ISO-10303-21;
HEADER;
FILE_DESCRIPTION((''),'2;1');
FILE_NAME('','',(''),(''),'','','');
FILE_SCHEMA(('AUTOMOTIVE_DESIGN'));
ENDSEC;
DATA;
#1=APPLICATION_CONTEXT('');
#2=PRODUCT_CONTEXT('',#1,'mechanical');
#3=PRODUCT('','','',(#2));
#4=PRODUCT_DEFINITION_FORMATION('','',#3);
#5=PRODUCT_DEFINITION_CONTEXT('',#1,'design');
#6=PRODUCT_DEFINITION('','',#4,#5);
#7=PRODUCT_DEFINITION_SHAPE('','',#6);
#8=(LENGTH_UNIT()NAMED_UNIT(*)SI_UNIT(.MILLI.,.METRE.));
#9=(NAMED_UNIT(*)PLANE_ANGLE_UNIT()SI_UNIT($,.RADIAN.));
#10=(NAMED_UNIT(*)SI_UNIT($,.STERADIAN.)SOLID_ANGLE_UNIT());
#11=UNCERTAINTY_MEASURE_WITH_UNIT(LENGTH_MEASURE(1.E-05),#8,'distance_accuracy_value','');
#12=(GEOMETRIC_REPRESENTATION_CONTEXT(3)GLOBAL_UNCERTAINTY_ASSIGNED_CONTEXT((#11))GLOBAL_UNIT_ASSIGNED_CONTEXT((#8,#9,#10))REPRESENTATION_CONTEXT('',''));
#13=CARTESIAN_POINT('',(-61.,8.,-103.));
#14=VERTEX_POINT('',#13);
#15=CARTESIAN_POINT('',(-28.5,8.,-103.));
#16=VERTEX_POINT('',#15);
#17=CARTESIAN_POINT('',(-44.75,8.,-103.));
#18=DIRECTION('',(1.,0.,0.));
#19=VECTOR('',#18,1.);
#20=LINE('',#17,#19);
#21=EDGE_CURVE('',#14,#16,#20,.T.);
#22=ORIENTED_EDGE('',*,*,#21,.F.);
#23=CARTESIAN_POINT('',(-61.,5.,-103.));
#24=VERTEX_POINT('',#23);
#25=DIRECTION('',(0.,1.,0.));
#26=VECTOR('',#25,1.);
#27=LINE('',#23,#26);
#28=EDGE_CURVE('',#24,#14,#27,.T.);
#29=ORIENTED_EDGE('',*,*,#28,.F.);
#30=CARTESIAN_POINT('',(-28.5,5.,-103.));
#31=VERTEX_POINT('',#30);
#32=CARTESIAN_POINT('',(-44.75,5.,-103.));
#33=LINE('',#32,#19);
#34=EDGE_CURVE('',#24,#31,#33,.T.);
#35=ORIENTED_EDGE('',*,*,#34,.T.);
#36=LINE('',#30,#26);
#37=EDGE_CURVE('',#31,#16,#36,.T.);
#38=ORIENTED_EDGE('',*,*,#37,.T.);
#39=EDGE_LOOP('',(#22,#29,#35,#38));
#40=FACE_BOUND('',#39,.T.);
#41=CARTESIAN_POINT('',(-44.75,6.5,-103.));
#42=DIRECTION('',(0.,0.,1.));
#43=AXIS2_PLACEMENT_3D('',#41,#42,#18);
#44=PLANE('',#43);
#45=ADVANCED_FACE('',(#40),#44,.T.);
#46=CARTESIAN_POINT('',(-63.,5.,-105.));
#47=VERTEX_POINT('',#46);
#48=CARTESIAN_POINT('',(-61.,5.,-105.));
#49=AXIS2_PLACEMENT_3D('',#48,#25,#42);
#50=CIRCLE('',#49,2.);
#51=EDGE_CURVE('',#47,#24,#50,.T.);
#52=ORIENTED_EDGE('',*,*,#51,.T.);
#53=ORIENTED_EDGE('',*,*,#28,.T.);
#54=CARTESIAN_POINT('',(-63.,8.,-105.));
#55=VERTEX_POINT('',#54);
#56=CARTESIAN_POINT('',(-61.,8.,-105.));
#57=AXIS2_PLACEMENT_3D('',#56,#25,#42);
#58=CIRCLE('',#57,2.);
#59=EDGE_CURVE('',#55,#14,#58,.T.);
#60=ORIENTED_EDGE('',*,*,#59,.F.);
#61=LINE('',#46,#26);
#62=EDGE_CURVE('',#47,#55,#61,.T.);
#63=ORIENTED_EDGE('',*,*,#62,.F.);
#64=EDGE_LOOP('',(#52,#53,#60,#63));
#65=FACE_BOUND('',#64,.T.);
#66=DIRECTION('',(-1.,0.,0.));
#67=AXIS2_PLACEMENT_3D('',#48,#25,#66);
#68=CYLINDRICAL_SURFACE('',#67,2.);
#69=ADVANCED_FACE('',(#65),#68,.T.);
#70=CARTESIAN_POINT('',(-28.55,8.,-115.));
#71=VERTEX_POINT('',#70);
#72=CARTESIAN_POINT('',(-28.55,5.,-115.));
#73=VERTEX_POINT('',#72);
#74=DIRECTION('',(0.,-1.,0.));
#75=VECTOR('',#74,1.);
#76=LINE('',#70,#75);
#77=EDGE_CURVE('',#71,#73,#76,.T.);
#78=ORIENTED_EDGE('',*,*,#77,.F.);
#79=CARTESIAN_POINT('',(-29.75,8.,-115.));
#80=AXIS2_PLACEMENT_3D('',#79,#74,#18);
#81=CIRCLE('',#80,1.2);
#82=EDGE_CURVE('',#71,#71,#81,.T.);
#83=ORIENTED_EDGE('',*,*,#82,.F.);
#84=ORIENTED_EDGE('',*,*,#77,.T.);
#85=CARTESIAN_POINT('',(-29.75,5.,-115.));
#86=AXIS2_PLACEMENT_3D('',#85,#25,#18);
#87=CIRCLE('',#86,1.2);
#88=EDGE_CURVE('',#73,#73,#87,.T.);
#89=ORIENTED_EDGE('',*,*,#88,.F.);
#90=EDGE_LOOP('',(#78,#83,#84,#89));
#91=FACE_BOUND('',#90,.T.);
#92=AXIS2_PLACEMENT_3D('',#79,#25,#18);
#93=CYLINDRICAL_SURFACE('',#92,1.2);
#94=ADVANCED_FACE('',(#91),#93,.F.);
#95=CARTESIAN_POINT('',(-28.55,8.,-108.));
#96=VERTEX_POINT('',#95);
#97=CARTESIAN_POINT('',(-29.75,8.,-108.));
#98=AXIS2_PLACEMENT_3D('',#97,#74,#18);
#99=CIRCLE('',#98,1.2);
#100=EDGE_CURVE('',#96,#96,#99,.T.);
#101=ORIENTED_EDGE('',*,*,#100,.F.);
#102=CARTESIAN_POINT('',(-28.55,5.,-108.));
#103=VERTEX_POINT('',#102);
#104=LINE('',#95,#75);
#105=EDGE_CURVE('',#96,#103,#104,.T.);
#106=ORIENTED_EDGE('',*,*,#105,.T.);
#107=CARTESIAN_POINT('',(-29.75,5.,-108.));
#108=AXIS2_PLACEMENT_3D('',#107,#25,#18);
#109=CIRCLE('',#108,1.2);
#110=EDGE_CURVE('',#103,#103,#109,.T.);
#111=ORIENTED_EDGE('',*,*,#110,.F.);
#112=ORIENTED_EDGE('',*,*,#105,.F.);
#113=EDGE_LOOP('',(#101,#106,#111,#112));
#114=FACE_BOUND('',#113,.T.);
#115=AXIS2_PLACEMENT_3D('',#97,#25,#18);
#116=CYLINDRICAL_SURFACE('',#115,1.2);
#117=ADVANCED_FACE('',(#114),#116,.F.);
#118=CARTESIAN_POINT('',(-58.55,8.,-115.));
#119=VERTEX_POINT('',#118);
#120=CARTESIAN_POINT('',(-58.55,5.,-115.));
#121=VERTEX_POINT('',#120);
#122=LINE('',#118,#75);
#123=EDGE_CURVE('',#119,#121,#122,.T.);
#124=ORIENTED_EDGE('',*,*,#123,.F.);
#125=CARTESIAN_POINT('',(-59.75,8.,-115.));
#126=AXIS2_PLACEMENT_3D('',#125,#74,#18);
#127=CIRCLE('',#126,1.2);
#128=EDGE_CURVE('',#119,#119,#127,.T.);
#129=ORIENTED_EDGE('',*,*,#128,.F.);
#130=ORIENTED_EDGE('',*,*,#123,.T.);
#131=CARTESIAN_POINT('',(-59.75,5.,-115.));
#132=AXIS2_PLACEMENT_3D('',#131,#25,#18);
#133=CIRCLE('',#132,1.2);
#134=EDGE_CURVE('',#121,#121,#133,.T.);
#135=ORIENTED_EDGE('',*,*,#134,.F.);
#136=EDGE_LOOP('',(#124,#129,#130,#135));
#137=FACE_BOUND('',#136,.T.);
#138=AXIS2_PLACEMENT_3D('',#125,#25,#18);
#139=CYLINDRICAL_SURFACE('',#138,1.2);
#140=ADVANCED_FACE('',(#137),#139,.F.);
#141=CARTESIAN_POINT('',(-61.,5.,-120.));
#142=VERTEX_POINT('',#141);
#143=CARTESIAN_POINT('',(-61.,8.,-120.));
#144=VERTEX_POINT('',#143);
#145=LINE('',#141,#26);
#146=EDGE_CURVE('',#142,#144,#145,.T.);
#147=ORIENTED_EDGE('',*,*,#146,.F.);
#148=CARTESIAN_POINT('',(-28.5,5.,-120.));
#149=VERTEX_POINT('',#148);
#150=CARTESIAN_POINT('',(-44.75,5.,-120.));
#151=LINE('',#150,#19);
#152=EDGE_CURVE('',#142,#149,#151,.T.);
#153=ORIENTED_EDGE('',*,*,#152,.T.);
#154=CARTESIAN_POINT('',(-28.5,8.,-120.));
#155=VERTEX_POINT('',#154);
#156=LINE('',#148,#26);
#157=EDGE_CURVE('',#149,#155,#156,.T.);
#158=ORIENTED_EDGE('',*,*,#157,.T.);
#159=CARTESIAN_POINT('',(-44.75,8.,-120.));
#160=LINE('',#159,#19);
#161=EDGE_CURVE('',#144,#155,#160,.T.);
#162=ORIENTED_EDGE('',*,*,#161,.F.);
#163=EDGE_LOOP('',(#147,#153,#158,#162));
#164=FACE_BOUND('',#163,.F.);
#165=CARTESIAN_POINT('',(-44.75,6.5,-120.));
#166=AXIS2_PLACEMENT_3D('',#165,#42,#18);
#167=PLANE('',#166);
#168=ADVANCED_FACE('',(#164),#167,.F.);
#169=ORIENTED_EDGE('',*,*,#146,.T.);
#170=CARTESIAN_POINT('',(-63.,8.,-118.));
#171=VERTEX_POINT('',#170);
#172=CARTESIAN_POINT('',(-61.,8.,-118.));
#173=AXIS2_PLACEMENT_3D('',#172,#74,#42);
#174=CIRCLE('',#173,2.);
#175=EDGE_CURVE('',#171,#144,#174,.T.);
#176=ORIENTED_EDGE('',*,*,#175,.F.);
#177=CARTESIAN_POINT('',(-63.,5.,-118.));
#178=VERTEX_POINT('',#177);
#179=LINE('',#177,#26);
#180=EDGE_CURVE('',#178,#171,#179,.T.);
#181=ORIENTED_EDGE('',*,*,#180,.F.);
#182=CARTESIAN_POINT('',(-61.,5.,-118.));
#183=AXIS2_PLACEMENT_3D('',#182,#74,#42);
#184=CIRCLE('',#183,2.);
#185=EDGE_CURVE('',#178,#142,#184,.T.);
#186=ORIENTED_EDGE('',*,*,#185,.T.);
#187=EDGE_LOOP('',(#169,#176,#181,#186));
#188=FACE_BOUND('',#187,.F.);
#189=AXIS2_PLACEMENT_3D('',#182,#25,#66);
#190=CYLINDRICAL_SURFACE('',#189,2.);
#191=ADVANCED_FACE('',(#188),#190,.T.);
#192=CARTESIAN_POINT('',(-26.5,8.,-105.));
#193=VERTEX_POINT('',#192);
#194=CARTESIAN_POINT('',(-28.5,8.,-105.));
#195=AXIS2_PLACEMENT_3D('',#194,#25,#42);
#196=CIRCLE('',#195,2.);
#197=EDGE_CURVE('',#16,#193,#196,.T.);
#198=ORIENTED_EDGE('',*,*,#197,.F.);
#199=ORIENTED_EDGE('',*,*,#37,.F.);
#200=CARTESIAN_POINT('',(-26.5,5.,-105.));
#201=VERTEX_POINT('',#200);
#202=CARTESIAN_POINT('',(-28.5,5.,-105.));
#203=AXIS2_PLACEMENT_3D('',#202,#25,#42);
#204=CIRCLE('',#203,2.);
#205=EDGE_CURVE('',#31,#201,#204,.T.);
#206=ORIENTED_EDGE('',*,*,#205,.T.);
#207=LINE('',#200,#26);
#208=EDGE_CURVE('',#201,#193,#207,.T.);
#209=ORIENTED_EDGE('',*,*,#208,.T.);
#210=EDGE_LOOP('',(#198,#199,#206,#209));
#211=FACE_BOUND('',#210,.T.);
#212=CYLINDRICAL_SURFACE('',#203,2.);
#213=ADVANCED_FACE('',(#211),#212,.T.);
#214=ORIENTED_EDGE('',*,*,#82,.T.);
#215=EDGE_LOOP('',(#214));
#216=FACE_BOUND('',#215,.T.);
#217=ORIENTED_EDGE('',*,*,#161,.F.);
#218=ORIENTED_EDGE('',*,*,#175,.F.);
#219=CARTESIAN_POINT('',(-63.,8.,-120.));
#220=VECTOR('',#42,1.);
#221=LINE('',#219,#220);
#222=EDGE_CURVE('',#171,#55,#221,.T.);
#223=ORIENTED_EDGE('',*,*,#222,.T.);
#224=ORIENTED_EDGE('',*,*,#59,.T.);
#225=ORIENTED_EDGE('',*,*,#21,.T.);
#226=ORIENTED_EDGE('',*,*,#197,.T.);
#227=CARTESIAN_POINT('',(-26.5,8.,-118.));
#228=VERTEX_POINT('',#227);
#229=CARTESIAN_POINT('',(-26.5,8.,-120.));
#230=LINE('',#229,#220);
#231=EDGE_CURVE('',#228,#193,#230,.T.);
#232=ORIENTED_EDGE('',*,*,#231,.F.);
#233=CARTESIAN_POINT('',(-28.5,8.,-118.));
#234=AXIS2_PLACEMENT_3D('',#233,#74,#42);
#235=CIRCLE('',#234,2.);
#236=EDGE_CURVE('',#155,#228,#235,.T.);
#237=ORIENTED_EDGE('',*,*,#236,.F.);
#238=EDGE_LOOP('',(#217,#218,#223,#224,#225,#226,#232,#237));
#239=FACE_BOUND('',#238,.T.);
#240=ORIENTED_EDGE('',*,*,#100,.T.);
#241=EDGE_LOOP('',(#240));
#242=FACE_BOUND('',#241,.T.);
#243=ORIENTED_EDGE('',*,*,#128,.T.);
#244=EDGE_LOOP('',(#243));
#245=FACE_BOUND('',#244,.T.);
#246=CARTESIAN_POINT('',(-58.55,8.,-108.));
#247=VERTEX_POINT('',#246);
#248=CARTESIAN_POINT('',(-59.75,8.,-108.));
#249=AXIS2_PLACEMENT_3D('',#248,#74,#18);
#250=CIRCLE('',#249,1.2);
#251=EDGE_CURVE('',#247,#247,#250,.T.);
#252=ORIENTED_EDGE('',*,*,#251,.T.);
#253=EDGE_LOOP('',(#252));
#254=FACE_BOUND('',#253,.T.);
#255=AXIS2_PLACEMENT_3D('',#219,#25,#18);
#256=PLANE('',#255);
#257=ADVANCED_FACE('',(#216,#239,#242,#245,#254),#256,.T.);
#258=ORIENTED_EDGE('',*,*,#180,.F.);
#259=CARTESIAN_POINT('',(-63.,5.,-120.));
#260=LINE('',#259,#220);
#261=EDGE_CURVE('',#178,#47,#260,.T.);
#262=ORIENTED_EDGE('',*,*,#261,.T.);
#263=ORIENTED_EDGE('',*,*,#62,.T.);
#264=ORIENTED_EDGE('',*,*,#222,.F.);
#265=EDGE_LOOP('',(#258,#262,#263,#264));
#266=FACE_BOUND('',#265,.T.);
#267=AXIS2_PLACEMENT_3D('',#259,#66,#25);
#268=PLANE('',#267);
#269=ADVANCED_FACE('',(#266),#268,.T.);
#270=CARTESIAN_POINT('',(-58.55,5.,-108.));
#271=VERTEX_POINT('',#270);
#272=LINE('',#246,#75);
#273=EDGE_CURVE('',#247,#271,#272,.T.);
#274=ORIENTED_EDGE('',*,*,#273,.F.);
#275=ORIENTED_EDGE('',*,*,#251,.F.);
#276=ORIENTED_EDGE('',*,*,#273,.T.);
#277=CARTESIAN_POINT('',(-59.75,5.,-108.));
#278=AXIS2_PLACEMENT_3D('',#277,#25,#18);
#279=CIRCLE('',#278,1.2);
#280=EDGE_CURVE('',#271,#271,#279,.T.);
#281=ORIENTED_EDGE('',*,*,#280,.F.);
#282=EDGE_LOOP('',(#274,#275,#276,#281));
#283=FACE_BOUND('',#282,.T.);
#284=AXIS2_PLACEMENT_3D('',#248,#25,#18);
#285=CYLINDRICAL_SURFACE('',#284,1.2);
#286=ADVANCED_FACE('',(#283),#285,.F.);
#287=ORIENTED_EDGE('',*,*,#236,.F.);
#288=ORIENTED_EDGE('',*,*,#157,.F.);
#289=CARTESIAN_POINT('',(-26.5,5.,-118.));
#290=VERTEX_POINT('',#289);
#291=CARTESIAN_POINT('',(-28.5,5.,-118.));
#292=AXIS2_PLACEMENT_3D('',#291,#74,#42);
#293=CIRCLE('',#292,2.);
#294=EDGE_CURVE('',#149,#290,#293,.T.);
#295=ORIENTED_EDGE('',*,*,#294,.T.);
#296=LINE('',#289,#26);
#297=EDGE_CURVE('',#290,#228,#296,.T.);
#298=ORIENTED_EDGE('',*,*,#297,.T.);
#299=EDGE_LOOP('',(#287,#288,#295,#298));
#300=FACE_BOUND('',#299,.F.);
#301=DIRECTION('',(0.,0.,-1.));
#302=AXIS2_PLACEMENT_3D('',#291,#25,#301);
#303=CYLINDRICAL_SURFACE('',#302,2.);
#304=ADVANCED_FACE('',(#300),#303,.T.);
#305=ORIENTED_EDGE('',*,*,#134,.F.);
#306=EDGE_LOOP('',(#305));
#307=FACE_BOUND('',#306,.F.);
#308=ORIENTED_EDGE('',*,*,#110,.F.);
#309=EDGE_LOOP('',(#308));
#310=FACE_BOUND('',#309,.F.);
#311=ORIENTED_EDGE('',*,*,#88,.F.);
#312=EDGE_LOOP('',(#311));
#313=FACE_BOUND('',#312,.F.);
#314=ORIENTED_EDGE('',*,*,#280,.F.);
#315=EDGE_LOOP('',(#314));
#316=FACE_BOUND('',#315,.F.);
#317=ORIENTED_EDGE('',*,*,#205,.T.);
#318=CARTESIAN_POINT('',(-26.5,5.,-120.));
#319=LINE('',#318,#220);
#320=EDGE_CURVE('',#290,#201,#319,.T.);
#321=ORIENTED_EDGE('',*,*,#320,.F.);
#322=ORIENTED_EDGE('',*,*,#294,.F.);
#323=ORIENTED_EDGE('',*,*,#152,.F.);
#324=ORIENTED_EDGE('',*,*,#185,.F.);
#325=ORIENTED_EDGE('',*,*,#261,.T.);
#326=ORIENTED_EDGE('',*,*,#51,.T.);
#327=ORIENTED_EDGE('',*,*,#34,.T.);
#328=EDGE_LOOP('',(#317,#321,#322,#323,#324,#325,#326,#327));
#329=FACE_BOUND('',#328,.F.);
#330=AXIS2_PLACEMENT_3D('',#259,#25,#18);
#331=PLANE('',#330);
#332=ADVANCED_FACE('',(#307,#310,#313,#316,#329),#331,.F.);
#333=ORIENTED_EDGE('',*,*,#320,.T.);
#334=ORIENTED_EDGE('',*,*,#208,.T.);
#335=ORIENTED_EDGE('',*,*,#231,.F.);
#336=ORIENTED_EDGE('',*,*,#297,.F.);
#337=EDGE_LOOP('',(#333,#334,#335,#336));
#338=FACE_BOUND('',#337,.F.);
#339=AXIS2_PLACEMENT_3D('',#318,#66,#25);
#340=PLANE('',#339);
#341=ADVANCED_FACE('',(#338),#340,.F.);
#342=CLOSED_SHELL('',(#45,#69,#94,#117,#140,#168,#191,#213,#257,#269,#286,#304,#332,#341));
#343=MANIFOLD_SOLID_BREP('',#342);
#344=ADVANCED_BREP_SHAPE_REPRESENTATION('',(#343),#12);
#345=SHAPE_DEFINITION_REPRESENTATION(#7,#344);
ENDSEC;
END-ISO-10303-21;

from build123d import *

# Parameters (mm, degrees)
CYLINDER015_R     = 1.2
CYLINDER015_DEPTH = 10
CYLINDER016_R     = 1.2
CYLINDER016_DEPTH = 10
CYLINDER012_R     = 1.2
CYLINDER012_DEPTH = 10
CYLINDER014_R     = 1.2
CYLINDER014_DEPTH = 10
BOX007_W          = 36.5
BOX007_H          = 3
BOX007_DEPTH      = 17
FILLET008_R       = 2


with BuildPart() as m2s002:
    # Cylinder015 → Cylinder015 (new body)
    with BuildSketch(Plane.XZ):
        Circle(CYLINDER015_R)
    extrude(amount=CYLINDER015_DEPTH)


with BuildPart() as fusion018:
    # Cylinder016 → Cylinder016 (new body)
    with BuildSketch(Plane(origin=(30, 0, 0), x_dir=(1, 0, 0), z_dir=(0, -1, 0))):
        Circle(CYLINDER016_R)
    extrude(amount=CYLINDER016_DEPTH)

    # Fusion018: union m2s002
    add(m2s002.part)


with BuildPart() as fusion018_1:
    # Fusion018 placement: moved
    add(fusion018.part.moved(Location((3.25, 0, 7))))


with BuildPart() as m2s:
    # Cylinder012 → Cylinder012 (new body)
    with BuildSketch(Plane.XZ):
        Circle(CYLINDER012_R)
    extrude(amount=CYLINDER012_DEPTH)


with BuildPart() as fusion019:
    # Cylinder014 → Cylinder014 (new body)
    with BuildSketch(Plane(origin=(30, 0, 0), x_dir=(1, 0, 0), z_dir=(0, -1, 0))):
        Circle(CYLINDER014_R)
    extrude(amount=CYLINDER014_DEPTH)

    # Fusion017: union m2s
    add(m2s.part)


with BuildPart() as fusion019_1:
    # Fusion017 placement: moved
    add(fusion019.part.moved(Location((3.25, 0, 0))))

    # Fusion019: union Fusion018
    add(fusion018_1.part)


with BuildPart() as fusion019_2:
    # Fusion019 placement: moved
    add(fusion019_1.part.moved(Location((0, 3, 5))))


with BuildPart() as convertersupport:
    # Box007 → Box007 (new body)
    with BuildSketch(Plane.XY):
        with Locations((18.25, 1.5)):
            Rectangle(BOX007_W, BOX007_H)
    extrude(amount=BOX007_DEPTH)

    # Cut003: cut Fusion019
    add(fusion019_2.part, mode=Mode.SUBTRACT)

    # Fillet008
    fillet008_edges = [convertersupport.edges().sort_by_distance(p)[0] for p in [
        (0, 1.5, 17),
        (0, 1.5, 0),
        (36.5, 1.5, 17),
        (36.5, 1.5, 0),
    ]]
    fillet(fillet008_edges, radius=FILLET008_R)


with BuildPart() as convertersupport_1:
    # Fillet008 placement: moved
    add(convertersupport.part.moved(Location((-63, 5, -120))))


solid = convertersupport_1.part
